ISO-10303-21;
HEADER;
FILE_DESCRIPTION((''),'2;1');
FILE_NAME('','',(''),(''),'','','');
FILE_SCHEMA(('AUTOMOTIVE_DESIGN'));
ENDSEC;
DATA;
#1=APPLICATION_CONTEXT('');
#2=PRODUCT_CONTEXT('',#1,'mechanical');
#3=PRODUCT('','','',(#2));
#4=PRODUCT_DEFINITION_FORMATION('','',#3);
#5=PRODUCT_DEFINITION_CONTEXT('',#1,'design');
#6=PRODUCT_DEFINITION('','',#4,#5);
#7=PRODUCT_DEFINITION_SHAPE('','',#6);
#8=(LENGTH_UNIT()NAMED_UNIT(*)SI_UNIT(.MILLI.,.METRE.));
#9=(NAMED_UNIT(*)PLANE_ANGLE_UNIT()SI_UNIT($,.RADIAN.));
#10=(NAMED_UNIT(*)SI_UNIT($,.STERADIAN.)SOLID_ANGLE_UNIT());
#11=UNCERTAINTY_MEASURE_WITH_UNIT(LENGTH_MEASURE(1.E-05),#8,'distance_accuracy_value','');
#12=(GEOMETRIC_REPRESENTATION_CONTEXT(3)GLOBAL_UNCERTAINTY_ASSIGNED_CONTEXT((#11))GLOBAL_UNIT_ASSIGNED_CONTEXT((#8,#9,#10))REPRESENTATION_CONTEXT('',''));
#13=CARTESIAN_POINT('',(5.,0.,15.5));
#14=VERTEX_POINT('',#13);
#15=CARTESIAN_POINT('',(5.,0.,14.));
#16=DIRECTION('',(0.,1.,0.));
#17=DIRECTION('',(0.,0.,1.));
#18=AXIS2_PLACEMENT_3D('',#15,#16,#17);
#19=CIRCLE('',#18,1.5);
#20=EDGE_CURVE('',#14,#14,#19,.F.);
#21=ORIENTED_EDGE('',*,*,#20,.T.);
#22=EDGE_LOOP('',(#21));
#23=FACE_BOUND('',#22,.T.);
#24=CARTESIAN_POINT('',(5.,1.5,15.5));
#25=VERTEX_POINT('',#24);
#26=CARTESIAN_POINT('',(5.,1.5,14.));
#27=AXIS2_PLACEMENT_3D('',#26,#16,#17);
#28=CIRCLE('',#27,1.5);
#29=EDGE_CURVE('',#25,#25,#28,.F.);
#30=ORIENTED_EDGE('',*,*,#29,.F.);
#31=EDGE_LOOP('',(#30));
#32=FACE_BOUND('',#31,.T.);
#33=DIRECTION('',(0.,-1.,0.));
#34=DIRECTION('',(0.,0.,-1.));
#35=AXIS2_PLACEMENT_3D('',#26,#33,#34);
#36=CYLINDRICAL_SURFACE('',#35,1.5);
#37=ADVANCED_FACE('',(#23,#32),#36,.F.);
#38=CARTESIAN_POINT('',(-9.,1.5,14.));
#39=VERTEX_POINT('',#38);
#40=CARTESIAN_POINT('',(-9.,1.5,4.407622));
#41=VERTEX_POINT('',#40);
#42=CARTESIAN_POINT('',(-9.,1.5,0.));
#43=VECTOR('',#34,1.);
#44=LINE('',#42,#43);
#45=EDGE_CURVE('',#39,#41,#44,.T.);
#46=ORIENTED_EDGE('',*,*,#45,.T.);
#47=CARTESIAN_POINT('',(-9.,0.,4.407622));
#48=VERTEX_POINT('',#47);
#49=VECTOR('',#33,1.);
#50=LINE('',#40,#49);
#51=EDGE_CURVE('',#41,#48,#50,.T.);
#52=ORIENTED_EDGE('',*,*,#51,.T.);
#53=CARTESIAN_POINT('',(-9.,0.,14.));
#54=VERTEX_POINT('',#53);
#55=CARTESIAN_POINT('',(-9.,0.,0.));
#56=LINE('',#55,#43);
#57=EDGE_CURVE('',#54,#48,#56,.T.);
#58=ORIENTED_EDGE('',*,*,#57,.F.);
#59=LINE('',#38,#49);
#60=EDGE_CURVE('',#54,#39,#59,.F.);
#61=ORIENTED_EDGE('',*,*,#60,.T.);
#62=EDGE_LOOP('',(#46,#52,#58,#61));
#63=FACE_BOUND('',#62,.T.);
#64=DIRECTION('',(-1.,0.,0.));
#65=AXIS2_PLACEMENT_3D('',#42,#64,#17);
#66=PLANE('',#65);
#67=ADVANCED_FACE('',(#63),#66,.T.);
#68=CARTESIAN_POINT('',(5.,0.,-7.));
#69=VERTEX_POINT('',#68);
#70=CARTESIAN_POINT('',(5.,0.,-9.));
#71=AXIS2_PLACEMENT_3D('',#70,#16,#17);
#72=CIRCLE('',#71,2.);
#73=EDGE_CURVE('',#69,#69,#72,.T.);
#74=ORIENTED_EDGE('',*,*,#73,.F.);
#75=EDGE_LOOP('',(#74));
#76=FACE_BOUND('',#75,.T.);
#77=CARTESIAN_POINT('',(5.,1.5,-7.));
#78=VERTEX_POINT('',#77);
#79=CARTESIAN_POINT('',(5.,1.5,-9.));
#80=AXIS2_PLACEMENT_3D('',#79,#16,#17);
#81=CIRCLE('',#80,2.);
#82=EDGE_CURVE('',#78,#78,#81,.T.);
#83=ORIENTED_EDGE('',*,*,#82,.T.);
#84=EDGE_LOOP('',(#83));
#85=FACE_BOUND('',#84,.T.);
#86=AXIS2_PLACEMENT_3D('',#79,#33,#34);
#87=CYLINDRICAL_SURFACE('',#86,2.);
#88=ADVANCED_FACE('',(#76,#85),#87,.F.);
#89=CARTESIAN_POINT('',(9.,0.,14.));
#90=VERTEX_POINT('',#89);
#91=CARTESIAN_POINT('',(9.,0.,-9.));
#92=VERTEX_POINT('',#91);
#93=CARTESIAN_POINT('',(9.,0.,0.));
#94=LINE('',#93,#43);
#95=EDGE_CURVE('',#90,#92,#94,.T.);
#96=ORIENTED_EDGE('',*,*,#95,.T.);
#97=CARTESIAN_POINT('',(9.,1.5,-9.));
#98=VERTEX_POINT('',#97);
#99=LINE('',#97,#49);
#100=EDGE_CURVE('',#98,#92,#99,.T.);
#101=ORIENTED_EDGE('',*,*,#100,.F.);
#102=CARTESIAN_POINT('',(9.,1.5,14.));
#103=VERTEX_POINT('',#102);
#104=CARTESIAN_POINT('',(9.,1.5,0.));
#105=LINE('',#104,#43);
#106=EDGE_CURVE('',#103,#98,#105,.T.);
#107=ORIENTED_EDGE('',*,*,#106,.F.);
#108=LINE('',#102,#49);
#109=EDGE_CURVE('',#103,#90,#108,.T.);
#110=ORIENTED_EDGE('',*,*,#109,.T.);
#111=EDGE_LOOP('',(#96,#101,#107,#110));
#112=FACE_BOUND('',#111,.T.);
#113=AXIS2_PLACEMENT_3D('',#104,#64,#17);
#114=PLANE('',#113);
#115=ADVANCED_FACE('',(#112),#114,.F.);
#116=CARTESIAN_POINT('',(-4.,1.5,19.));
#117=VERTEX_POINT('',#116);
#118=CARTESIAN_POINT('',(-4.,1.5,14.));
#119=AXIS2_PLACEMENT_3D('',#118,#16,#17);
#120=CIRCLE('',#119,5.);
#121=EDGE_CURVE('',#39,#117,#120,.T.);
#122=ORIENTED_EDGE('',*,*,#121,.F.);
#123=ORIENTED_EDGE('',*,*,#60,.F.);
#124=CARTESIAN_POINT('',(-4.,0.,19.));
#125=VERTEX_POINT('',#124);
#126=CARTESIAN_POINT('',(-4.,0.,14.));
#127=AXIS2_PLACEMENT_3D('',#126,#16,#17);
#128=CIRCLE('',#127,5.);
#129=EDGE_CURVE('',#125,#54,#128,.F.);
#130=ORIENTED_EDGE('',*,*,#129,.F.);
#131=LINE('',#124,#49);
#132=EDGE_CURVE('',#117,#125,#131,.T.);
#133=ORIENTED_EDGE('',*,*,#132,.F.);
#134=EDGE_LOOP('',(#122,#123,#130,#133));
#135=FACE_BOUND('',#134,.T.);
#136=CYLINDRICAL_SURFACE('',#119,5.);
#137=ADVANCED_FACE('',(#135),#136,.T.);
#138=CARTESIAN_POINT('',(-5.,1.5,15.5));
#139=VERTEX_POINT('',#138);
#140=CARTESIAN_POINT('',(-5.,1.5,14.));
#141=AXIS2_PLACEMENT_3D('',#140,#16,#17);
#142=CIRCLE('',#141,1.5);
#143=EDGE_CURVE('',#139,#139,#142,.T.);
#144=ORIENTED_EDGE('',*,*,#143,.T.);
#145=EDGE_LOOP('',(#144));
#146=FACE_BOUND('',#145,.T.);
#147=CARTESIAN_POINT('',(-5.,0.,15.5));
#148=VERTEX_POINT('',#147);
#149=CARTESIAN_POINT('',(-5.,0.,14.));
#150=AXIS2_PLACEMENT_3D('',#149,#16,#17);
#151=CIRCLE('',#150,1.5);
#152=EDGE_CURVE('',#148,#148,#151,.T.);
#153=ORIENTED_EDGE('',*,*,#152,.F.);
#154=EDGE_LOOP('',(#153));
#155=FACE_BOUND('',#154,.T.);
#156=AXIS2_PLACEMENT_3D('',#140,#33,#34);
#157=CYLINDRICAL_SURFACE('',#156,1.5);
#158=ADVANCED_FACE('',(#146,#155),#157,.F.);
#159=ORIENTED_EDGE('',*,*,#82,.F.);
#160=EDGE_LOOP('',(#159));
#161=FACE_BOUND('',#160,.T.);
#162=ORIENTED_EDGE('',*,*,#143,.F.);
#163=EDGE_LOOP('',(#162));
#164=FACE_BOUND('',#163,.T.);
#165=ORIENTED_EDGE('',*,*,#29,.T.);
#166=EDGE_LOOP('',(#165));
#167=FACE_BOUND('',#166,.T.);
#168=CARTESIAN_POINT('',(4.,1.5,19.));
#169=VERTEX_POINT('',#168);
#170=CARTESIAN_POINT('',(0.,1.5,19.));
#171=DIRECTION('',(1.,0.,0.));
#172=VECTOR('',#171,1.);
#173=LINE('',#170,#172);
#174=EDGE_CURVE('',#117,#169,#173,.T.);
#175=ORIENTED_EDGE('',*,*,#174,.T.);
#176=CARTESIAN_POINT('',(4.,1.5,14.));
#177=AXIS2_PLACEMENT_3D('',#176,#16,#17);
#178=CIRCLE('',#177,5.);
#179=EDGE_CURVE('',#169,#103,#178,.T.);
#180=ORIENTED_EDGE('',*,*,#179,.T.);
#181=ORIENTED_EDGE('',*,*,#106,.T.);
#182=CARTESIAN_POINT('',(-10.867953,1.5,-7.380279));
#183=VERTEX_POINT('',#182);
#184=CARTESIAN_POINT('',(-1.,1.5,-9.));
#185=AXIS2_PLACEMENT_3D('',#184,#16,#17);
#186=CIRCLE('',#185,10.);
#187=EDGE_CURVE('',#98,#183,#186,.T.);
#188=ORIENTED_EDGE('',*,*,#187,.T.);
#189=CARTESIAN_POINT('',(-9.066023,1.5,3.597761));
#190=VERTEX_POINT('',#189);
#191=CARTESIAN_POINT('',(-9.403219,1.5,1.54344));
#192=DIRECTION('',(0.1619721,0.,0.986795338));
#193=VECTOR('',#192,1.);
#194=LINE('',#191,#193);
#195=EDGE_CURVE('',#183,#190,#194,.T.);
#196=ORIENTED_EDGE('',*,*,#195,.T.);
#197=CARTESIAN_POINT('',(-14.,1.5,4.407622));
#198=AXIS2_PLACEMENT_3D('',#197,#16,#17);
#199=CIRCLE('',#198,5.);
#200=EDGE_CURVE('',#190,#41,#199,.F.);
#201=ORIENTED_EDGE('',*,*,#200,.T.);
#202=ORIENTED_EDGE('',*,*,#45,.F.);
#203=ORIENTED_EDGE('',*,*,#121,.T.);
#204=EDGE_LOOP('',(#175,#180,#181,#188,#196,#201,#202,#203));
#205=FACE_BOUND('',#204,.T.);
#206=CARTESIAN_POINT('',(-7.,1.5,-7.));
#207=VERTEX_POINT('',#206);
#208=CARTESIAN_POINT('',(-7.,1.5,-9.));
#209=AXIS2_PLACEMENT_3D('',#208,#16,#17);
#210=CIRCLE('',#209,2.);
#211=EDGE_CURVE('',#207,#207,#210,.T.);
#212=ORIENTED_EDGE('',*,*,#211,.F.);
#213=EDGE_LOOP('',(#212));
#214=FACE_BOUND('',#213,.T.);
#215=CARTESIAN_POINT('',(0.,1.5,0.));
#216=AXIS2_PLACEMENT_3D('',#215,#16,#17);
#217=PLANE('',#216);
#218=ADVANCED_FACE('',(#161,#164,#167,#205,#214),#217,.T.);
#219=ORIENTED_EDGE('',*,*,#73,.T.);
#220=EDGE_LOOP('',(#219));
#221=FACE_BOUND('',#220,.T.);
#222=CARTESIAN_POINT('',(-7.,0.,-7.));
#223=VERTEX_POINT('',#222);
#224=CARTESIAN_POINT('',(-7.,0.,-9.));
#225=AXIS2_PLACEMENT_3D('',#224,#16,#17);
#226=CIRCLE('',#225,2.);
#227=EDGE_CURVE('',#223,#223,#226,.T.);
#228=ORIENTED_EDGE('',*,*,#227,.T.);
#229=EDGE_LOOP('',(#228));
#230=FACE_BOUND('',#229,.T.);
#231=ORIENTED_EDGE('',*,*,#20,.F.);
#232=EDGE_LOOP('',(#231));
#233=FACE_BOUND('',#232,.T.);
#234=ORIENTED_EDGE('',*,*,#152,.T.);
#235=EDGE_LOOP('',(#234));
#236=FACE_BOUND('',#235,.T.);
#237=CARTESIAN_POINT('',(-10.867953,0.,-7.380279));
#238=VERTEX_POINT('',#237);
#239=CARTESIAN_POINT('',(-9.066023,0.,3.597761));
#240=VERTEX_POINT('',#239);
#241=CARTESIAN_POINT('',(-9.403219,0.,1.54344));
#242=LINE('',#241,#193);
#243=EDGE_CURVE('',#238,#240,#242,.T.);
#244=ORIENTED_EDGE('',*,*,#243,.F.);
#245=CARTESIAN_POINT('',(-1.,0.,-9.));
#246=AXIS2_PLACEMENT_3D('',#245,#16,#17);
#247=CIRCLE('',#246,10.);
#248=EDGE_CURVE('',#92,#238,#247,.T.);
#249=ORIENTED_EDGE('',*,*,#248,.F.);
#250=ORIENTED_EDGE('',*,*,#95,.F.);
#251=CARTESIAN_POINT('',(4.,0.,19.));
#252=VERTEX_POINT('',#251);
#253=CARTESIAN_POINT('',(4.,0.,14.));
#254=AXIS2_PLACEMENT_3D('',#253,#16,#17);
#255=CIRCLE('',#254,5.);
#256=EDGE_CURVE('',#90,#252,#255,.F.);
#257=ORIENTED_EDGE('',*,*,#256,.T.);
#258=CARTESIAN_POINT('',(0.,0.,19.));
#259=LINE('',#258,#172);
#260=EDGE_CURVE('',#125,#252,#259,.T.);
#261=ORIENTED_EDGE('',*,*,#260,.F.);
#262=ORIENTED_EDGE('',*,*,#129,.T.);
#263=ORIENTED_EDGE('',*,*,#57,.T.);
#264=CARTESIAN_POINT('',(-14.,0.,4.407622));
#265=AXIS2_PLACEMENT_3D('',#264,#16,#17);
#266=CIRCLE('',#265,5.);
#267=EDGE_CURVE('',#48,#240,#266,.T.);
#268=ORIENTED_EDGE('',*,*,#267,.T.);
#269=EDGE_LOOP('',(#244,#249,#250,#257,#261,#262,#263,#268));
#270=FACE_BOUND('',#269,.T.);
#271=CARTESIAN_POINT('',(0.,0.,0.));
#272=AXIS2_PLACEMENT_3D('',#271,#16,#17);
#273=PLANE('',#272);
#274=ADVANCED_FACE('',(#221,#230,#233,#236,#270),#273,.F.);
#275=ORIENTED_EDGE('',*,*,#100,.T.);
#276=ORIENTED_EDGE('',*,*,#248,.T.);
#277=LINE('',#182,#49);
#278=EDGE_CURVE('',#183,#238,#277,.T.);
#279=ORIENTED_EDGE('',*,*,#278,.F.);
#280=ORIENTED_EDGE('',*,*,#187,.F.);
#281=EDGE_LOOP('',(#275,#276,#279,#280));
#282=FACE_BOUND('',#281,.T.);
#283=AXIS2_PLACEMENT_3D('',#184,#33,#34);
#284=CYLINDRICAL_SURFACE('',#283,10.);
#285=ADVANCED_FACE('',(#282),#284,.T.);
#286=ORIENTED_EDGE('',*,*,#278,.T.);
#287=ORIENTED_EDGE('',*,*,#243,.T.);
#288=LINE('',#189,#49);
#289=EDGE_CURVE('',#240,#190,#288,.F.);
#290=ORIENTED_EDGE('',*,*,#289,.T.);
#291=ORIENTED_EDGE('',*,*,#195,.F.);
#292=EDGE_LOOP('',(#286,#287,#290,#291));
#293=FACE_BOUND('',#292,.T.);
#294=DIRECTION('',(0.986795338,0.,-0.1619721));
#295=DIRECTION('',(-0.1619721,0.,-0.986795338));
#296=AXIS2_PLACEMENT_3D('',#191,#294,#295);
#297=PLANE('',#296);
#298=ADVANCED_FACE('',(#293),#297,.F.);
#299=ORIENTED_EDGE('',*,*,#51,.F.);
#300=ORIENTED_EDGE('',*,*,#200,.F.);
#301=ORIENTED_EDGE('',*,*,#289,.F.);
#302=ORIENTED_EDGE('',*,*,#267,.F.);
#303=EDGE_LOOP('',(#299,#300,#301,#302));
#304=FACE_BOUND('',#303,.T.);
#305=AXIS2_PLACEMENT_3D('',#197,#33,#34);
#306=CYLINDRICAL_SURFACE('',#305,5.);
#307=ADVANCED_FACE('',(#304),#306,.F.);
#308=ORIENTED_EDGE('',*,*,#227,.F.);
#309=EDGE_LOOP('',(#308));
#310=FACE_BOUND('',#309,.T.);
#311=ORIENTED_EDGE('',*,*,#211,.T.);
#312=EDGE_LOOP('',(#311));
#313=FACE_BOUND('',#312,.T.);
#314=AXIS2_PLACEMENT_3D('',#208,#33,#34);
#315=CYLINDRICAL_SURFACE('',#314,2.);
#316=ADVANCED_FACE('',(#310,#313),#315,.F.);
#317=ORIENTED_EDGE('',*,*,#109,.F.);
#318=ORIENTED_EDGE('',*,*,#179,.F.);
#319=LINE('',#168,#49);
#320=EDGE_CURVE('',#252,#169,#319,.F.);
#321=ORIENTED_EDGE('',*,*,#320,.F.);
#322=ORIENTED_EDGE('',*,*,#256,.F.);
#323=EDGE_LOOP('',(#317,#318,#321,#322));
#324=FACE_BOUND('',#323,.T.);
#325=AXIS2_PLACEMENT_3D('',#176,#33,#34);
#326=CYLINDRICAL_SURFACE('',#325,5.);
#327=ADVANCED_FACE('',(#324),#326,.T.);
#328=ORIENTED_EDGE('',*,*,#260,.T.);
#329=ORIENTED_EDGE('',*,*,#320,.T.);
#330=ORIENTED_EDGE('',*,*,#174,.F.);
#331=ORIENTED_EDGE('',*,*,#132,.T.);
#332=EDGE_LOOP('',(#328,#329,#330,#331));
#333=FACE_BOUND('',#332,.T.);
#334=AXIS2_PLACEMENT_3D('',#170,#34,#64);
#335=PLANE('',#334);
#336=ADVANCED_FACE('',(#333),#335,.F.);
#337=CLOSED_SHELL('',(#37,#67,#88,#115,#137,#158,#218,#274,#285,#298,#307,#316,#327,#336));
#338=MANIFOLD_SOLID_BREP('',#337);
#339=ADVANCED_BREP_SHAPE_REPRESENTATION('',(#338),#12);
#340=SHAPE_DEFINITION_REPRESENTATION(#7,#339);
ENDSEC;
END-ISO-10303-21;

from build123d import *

# Parameters (mm, degrees)
SKETCH_1_R      = 1.5
SKETCH_1_R_2    = 2
EXTRUDE_1_DEPTH = 1.5
FILLET_1_R      = 5


with BuildPart() as part:
    # ｽｹｯﾁ1 → ﾎﾞｽ - 押し出し1 (new body)
    with BuildSketch(Plane(origin=(0, 0, 0), x_dir=(1, 0, 0), z_dir=(0, 1, 0))):
        with BuildLine():
            Line((-9, -4), (-9, -19))
            Line((-9, -19), (9, -19))
            Line((9, -19), (9, 9))
            ThreePointArc((9, 9), (-1.812547294, 18.966933676), (-10.867953379, 7.380279002))
            Line((-10.867953379, 7.380279002), (-9, -4))
        make_face()
        with Locations(Location((-5, -14, 0), (0, 0, 270))):
            Circle(SKETCH_1_R, mode=Mode.SUBTRACT)
        with Locations(Location((5, -14, 0), (0, 0, 270))):
            Circle(SKETCH_1_R, mode=Mode.SUBTRACT)
        with Locations(Location((-7, 9, 0), (0, 0, 270))):
            Circle(SKETCH_1_R_2, mode=Mode.SUBTRACT)
        with Locations(Location((5, 9, 0), (0, 0, 270))):
            Circle(SKETCH_1_R_2, mode=Mode.SUBTRACT)
    extrude(amount=EXTRUDE_1_DEPTH)

    # ﾌｨﾚｯﾄ1
    fillet_1_edges = [part.edges().sort_by_distance(p)[0] for p in [
        (9, 0.75, 19),
        (-9, 0.75, 19),
        (-9, 0.75, 4),
    ]]
    fillet(fillet_1_edges, radius=FILLET_1_R)


solid = part.part
